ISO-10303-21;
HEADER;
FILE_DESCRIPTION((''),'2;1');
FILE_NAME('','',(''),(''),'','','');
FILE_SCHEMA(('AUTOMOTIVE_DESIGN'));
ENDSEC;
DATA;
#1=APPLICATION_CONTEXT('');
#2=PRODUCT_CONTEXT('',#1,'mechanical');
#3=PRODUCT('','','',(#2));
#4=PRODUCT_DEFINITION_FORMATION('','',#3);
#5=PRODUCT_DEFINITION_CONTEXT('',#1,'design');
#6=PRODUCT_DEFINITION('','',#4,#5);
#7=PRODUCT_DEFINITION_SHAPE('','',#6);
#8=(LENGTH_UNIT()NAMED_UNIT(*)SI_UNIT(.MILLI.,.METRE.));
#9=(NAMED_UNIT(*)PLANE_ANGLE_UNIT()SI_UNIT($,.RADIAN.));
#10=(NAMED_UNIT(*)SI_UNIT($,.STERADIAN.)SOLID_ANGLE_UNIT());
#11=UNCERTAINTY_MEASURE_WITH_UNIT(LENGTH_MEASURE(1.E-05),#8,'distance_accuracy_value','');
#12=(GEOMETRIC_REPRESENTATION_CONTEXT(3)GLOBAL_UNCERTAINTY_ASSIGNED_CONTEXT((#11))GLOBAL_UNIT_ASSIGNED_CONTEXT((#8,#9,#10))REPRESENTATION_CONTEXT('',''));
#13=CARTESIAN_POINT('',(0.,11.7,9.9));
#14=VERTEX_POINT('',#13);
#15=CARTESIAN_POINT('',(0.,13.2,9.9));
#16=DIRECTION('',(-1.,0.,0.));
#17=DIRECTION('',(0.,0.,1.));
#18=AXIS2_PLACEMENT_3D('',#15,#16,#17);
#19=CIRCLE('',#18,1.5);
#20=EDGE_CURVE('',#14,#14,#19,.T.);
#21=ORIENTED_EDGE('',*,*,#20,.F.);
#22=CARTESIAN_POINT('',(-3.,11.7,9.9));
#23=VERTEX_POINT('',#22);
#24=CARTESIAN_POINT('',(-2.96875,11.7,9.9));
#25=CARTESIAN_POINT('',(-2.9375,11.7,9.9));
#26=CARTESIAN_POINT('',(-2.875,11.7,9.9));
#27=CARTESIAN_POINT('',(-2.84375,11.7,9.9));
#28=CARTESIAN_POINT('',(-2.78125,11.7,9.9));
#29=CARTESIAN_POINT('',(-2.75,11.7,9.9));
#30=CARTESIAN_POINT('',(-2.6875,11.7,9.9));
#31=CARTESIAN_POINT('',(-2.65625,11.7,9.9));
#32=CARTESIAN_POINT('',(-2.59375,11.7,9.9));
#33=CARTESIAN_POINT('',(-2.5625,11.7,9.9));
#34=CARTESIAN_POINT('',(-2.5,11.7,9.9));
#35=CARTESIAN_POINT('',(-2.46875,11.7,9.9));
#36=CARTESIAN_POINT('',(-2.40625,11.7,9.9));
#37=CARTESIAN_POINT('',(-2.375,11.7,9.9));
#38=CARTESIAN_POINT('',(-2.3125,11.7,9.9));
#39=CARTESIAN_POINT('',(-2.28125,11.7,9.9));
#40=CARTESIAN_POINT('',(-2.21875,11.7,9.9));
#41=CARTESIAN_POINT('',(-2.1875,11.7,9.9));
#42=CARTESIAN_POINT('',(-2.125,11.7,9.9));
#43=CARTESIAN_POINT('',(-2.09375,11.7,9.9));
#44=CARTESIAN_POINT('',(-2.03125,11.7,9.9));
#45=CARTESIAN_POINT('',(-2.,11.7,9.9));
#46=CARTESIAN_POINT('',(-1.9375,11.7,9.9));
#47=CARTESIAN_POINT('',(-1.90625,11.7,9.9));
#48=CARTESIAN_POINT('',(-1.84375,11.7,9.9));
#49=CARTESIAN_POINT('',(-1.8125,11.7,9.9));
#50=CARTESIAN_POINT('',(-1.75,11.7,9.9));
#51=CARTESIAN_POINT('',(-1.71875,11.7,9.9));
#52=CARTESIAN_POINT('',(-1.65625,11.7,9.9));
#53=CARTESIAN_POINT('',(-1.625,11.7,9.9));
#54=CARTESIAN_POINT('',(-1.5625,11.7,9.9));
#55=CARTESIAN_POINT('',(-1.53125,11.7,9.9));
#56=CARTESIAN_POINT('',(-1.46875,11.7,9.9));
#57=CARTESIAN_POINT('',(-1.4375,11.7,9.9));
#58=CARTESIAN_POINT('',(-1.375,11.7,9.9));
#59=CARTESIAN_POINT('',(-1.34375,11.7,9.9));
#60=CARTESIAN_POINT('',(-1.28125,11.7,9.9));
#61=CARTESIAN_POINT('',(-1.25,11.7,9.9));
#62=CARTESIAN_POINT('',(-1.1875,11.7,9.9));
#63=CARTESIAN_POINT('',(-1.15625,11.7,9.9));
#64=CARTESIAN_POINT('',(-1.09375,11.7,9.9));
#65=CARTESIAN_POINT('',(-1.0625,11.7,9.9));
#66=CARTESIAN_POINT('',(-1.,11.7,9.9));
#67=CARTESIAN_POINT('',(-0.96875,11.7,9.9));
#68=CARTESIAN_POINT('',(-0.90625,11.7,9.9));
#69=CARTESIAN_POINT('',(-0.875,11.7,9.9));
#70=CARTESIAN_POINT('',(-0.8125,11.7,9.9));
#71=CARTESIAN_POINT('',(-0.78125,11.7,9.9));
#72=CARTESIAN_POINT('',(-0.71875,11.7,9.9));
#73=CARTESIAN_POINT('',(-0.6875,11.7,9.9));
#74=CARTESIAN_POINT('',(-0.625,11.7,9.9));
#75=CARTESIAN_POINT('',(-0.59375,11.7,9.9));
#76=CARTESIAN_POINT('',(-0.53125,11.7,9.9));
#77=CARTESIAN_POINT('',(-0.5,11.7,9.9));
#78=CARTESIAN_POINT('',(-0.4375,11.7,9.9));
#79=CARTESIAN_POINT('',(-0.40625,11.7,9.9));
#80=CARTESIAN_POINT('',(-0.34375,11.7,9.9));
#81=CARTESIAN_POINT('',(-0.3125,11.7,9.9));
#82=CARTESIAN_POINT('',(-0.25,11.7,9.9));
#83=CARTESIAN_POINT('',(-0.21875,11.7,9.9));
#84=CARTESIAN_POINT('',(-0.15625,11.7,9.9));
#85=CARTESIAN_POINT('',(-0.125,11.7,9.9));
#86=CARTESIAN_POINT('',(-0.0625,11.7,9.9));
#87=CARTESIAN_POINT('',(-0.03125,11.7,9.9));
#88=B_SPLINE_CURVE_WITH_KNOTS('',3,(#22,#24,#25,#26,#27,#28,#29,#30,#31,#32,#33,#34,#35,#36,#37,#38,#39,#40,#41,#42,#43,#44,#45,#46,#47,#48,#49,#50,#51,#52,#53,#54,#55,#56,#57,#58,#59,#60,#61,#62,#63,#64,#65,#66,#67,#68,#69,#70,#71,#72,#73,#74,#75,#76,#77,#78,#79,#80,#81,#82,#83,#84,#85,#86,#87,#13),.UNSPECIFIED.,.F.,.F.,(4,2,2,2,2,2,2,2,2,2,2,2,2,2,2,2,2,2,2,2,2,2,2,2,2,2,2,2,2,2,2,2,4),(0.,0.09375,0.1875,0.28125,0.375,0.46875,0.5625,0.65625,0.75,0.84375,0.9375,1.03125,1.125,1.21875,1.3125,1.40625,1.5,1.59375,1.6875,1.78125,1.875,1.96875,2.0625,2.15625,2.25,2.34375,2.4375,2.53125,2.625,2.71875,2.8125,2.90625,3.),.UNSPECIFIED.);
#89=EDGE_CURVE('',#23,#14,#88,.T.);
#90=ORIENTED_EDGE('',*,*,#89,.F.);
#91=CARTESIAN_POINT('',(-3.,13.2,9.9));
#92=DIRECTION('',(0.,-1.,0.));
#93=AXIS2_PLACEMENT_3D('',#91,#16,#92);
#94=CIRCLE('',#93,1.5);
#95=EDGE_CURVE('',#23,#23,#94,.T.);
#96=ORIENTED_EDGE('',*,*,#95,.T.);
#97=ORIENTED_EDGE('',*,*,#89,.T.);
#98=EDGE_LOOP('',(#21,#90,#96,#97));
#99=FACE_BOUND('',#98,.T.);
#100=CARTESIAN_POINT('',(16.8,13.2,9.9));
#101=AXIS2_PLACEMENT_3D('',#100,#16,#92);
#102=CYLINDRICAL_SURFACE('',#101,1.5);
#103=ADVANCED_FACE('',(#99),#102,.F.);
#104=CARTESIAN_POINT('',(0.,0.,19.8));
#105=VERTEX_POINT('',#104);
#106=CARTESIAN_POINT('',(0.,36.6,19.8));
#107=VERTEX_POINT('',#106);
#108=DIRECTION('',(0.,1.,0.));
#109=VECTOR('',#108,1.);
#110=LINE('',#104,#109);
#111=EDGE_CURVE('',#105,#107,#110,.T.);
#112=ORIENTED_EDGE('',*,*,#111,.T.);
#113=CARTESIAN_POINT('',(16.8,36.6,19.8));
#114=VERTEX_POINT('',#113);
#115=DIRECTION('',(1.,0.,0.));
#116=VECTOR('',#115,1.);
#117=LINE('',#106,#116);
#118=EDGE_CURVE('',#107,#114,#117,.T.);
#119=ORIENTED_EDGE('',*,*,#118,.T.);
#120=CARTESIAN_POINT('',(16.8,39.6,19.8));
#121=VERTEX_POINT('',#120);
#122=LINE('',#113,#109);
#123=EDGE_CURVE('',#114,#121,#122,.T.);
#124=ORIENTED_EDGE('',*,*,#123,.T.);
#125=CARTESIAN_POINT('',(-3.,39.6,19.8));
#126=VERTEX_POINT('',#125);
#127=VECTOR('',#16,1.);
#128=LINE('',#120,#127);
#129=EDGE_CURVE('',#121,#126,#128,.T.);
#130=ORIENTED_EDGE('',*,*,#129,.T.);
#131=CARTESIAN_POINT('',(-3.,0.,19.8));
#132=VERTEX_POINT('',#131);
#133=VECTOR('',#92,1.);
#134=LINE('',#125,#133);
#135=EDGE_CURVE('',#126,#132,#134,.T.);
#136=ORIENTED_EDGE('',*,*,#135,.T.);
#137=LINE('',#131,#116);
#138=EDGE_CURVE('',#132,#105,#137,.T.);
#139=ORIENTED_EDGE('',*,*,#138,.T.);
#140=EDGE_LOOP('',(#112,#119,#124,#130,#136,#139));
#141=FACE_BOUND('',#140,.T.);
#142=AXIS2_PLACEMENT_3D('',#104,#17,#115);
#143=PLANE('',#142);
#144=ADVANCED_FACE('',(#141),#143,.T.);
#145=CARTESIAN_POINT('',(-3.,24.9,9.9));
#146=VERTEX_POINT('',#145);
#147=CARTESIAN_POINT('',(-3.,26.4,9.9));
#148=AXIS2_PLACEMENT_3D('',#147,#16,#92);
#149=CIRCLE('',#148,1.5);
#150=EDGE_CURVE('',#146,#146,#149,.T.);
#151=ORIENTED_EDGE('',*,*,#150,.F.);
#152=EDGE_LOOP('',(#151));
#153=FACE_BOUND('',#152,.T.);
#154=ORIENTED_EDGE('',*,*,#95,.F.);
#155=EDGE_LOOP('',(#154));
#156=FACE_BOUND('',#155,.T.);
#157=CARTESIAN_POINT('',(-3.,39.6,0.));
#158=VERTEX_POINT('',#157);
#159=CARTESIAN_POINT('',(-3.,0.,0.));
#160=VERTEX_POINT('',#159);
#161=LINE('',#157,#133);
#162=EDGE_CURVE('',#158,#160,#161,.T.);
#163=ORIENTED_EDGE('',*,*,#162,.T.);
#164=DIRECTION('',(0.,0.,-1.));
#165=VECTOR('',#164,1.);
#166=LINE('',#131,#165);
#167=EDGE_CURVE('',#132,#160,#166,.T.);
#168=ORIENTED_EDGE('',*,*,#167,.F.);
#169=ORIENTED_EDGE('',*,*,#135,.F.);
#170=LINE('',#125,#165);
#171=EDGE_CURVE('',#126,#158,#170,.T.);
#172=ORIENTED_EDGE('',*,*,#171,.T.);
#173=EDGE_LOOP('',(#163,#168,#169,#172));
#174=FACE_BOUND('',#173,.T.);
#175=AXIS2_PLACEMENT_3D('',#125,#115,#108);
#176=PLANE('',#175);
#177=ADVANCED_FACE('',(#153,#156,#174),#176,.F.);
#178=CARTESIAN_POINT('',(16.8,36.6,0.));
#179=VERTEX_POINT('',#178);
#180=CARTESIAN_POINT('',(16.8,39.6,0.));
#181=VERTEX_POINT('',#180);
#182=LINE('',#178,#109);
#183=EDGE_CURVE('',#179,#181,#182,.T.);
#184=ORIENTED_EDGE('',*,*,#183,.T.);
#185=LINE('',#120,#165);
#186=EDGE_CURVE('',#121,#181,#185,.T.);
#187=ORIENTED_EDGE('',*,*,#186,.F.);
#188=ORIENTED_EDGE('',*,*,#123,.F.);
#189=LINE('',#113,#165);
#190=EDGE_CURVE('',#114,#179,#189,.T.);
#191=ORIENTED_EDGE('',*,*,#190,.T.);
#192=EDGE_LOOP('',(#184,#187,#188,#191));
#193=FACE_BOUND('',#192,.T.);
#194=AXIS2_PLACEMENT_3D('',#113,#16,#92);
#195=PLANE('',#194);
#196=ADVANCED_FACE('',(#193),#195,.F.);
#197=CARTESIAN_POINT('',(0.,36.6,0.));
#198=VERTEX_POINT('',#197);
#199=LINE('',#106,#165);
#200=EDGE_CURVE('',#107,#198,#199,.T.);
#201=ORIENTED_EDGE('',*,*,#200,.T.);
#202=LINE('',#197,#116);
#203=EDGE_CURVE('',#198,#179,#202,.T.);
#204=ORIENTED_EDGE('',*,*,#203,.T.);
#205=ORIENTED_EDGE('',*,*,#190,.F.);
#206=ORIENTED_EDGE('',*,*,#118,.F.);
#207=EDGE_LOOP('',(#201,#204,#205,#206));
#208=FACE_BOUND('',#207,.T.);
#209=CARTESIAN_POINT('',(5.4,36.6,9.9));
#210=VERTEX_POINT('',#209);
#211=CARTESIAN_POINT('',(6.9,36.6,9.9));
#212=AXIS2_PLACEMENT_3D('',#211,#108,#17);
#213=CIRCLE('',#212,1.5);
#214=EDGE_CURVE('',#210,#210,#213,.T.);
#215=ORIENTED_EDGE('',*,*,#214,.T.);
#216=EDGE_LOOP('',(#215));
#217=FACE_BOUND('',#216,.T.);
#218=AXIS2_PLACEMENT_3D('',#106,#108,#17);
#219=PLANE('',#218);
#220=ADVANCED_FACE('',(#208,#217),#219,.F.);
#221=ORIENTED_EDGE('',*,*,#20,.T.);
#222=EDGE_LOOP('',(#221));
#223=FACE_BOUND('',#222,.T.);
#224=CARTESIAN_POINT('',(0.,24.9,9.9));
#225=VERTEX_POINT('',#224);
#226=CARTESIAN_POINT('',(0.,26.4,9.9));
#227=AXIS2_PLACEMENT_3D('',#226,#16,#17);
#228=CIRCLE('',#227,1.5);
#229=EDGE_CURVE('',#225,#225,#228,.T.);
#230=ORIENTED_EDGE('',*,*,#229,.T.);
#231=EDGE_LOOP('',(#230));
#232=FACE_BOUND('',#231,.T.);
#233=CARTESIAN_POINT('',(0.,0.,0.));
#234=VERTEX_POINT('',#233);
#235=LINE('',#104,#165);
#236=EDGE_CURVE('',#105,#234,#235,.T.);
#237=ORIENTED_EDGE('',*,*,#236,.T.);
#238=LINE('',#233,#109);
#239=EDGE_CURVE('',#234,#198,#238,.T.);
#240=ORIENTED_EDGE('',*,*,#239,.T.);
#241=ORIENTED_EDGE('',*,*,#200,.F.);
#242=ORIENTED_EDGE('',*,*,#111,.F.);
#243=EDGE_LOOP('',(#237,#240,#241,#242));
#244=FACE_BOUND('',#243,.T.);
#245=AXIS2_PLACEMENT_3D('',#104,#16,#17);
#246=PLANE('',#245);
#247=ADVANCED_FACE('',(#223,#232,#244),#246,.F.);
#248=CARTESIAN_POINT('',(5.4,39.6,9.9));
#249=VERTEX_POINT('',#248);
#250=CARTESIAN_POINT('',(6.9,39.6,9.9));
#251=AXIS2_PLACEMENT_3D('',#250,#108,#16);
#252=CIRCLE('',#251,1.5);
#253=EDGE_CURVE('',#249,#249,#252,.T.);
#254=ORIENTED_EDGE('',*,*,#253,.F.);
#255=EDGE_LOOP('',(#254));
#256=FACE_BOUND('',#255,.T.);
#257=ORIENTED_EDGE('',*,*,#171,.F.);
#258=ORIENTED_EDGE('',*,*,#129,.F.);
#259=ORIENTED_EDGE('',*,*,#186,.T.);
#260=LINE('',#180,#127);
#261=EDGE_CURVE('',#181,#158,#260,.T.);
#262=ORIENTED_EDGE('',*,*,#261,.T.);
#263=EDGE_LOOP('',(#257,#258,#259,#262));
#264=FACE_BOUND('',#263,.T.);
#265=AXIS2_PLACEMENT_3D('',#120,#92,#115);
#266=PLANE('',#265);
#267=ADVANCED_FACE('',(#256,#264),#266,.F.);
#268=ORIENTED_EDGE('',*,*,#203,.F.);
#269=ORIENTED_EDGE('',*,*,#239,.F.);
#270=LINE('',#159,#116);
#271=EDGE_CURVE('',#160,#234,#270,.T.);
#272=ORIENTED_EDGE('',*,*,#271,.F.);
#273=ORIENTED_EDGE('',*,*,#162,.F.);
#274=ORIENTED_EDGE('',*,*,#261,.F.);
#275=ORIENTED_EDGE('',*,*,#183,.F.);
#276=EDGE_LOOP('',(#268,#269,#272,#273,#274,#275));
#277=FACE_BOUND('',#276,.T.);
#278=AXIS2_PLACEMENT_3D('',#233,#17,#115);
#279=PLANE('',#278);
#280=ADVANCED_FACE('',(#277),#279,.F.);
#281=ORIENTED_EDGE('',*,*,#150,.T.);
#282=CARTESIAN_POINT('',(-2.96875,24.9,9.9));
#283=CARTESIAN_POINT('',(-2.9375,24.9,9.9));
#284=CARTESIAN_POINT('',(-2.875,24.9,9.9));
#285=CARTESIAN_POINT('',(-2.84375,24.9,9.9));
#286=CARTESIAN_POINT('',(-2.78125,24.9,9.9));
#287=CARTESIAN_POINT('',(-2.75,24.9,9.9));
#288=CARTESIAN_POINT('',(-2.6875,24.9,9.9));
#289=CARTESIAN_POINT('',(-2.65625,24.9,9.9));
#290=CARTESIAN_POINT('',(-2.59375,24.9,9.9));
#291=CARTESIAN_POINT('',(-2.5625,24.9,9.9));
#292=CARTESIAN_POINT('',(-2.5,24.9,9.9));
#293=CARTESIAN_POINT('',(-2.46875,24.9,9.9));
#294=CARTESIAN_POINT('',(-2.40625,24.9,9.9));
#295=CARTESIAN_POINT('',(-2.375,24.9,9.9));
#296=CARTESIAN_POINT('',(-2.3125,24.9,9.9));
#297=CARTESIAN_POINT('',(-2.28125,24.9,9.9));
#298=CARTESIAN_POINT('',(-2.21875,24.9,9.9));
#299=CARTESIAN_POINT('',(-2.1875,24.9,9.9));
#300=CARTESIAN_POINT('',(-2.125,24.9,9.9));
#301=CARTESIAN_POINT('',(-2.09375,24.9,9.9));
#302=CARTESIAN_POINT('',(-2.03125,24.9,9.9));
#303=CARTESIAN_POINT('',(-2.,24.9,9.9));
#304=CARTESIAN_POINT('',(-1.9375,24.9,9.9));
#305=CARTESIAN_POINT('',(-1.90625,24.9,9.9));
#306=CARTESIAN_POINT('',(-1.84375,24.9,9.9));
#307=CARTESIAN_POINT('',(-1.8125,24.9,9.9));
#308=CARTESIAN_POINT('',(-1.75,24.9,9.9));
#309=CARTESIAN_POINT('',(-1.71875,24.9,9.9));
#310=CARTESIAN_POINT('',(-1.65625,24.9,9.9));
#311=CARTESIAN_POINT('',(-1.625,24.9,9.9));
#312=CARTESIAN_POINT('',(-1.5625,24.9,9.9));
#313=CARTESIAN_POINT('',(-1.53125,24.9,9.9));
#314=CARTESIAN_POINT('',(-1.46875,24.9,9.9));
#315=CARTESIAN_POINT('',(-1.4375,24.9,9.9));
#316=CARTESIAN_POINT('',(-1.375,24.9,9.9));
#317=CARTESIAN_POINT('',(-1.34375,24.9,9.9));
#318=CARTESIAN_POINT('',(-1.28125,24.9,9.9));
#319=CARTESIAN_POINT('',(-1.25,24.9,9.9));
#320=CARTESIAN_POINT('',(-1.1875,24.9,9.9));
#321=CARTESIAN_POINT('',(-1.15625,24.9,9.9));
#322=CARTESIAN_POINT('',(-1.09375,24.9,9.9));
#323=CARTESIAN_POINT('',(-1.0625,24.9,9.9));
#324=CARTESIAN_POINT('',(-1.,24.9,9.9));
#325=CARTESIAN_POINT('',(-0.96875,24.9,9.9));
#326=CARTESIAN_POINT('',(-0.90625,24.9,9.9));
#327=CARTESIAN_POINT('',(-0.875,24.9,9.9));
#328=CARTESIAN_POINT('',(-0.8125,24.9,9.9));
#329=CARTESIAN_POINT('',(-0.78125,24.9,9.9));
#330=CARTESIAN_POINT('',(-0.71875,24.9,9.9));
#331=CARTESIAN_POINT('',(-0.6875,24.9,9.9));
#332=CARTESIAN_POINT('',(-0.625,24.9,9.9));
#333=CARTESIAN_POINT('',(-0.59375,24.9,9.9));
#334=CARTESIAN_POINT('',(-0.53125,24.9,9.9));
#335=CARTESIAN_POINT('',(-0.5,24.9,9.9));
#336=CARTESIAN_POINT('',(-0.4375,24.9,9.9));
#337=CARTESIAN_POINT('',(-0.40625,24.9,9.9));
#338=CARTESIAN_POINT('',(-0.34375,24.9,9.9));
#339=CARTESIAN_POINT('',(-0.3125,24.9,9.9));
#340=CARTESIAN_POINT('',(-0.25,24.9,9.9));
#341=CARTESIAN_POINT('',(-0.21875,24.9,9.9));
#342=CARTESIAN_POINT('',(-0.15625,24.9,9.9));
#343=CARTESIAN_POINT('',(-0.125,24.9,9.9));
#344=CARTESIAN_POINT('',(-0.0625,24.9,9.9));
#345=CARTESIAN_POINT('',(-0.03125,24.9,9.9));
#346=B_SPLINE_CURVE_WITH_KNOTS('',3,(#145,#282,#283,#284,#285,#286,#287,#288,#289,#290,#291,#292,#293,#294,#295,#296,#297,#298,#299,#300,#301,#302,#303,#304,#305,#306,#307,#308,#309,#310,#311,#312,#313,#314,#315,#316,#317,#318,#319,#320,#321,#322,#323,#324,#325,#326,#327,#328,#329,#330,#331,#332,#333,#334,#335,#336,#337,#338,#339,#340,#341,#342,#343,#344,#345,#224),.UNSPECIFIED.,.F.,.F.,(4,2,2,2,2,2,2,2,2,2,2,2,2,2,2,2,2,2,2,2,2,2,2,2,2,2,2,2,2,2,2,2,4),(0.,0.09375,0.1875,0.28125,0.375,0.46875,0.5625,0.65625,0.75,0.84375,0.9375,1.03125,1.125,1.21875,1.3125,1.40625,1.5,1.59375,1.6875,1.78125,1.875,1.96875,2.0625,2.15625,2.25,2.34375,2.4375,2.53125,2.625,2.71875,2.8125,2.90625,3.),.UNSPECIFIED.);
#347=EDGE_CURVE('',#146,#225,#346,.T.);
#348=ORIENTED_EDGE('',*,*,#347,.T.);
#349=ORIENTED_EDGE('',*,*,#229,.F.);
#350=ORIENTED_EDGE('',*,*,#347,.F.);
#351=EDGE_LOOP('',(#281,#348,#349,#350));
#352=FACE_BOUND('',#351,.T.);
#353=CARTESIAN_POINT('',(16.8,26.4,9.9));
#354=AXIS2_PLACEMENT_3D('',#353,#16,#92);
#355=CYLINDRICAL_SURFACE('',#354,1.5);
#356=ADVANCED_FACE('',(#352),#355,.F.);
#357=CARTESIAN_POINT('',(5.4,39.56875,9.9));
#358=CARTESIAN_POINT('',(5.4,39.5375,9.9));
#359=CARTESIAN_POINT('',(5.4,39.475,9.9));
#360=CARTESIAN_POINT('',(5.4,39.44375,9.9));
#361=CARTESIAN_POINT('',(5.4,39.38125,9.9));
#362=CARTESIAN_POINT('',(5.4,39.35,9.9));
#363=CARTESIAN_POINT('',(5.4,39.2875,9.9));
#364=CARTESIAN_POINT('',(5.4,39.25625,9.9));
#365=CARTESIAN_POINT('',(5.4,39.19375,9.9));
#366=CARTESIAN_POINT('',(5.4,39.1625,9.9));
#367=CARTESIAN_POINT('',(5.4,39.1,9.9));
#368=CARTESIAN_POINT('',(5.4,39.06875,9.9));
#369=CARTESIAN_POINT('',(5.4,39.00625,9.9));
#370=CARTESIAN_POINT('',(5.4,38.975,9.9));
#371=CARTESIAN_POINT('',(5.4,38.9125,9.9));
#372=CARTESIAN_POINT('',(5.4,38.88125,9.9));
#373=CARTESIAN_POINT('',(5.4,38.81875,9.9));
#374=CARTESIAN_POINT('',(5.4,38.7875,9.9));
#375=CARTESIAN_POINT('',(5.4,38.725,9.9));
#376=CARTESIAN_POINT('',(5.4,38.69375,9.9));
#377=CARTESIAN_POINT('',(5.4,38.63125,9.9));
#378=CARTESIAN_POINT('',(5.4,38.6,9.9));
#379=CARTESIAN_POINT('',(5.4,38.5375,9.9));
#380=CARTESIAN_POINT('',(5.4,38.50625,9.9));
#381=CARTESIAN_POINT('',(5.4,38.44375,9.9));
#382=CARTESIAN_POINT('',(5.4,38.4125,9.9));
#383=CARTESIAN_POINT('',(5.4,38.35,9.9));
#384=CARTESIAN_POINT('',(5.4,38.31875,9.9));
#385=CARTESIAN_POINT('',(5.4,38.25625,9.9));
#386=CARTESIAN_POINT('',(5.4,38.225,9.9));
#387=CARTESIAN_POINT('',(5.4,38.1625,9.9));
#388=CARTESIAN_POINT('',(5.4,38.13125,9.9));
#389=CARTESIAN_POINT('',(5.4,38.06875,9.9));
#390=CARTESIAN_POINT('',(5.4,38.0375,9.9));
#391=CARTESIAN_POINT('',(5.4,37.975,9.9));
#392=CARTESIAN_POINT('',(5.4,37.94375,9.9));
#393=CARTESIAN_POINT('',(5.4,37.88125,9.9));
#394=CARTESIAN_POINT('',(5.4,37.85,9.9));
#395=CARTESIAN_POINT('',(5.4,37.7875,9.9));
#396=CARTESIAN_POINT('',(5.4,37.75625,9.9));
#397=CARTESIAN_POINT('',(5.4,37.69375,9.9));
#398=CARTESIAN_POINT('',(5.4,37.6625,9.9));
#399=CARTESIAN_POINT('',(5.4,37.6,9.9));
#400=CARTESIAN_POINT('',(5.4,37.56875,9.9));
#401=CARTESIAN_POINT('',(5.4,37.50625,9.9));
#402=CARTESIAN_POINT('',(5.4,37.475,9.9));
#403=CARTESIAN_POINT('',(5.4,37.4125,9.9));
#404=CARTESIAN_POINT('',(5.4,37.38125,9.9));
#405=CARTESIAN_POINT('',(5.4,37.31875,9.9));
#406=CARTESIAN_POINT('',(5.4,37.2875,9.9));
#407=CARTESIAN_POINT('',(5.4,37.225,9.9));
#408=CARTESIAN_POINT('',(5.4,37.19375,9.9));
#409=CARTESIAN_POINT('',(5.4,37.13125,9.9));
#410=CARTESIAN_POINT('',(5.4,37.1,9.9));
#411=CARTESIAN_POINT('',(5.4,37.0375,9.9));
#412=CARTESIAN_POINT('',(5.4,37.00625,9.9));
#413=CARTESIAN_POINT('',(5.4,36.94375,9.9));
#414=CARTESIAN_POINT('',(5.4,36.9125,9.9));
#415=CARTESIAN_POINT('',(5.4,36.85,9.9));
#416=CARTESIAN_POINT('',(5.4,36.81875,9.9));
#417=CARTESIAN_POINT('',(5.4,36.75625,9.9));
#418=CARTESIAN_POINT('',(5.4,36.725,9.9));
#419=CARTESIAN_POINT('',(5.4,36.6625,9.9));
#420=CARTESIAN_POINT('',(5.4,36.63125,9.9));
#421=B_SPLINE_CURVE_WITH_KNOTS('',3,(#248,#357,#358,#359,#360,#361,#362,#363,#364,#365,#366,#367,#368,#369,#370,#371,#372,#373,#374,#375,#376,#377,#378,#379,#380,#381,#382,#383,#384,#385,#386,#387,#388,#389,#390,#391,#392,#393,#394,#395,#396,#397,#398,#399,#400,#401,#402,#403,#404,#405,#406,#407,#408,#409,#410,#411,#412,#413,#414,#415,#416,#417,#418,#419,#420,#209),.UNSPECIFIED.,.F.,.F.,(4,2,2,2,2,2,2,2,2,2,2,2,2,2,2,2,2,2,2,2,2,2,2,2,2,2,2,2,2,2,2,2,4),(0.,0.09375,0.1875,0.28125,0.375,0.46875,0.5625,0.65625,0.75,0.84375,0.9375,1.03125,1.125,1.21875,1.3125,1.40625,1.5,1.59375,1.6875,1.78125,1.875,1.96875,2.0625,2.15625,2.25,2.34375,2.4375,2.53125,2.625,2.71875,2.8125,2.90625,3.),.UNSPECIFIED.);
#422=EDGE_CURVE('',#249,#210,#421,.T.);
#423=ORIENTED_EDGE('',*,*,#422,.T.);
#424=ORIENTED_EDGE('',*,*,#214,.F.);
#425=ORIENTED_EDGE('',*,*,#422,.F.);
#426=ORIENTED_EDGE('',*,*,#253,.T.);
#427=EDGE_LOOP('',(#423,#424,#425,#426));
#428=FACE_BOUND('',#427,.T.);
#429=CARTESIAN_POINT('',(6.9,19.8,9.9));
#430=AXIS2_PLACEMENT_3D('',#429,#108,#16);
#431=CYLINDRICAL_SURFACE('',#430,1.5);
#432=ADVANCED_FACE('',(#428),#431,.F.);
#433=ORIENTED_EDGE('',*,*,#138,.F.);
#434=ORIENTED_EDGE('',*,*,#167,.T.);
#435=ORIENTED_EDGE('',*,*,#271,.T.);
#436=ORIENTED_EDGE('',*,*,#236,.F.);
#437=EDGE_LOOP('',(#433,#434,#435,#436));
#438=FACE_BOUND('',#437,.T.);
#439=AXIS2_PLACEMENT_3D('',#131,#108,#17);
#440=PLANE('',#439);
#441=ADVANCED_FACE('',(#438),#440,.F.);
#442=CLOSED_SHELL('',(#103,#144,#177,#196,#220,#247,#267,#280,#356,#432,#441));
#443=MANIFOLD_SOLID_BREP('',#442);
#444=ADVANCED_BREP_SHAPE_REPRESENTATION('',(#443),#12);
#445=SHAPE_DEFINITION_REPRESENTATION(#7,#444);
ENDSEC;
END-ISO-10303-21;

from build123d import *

# Parameters (mm, degrees)
BOSS_EXTRUDE1_DEPTH = 19.8
SKETCH2_R           = 1.5
CUT_EXTRUDE1_DEPTH  = 19.8
SKETCH3_R           = 1.5
CUT_EXTRUDE2_DEPTH  = 19.8


with BuildPart() as part:
    # Sketch1 → Boss-Extrude1 (new body)
    with BuildSketch(Plane.XY):
        Polygon((0, 0), (0, 36.6), (16.8, 36.6), (16.8, 39.6), (-3, 39.6), (-3, 0), align=None)
    extrude(amount=BOSS_EXTRUDE1_DEPTH)

    # Sketch2 → Cut-Extrude1 (cut)
    with BuildSketch(Plane(origin=(0, 39.6, 0), x_dir=(1, 0, 0), z_dir=(0, 1, 0))):
        with Locations(Location((6.9, -9.9, 0), (0, 0, 180))):
            Circle(SKETCH2_R)
    extrude(amount=-CUT_EXTRUDE1_DEPTH, mode=Mode.SUBTRACT)

    # Sketch3 → Cut-Extrude2 (cut)
    with BuildSketch(Plane.ZY.offset(3)):
        with Locations(Location((9.9, 26.4, 0), (0, 0, 270))):
            Circle(SKETCH3_R)
        with Locations(Location((9.9, 13.2, 0), (0, 0, 270))):
            Circle(SKETCH3_R)
    extrude(amount=-CUT_EXTRUDE2_DEPTH, mode=Mode.SUBTRACT)


solid = part.part
